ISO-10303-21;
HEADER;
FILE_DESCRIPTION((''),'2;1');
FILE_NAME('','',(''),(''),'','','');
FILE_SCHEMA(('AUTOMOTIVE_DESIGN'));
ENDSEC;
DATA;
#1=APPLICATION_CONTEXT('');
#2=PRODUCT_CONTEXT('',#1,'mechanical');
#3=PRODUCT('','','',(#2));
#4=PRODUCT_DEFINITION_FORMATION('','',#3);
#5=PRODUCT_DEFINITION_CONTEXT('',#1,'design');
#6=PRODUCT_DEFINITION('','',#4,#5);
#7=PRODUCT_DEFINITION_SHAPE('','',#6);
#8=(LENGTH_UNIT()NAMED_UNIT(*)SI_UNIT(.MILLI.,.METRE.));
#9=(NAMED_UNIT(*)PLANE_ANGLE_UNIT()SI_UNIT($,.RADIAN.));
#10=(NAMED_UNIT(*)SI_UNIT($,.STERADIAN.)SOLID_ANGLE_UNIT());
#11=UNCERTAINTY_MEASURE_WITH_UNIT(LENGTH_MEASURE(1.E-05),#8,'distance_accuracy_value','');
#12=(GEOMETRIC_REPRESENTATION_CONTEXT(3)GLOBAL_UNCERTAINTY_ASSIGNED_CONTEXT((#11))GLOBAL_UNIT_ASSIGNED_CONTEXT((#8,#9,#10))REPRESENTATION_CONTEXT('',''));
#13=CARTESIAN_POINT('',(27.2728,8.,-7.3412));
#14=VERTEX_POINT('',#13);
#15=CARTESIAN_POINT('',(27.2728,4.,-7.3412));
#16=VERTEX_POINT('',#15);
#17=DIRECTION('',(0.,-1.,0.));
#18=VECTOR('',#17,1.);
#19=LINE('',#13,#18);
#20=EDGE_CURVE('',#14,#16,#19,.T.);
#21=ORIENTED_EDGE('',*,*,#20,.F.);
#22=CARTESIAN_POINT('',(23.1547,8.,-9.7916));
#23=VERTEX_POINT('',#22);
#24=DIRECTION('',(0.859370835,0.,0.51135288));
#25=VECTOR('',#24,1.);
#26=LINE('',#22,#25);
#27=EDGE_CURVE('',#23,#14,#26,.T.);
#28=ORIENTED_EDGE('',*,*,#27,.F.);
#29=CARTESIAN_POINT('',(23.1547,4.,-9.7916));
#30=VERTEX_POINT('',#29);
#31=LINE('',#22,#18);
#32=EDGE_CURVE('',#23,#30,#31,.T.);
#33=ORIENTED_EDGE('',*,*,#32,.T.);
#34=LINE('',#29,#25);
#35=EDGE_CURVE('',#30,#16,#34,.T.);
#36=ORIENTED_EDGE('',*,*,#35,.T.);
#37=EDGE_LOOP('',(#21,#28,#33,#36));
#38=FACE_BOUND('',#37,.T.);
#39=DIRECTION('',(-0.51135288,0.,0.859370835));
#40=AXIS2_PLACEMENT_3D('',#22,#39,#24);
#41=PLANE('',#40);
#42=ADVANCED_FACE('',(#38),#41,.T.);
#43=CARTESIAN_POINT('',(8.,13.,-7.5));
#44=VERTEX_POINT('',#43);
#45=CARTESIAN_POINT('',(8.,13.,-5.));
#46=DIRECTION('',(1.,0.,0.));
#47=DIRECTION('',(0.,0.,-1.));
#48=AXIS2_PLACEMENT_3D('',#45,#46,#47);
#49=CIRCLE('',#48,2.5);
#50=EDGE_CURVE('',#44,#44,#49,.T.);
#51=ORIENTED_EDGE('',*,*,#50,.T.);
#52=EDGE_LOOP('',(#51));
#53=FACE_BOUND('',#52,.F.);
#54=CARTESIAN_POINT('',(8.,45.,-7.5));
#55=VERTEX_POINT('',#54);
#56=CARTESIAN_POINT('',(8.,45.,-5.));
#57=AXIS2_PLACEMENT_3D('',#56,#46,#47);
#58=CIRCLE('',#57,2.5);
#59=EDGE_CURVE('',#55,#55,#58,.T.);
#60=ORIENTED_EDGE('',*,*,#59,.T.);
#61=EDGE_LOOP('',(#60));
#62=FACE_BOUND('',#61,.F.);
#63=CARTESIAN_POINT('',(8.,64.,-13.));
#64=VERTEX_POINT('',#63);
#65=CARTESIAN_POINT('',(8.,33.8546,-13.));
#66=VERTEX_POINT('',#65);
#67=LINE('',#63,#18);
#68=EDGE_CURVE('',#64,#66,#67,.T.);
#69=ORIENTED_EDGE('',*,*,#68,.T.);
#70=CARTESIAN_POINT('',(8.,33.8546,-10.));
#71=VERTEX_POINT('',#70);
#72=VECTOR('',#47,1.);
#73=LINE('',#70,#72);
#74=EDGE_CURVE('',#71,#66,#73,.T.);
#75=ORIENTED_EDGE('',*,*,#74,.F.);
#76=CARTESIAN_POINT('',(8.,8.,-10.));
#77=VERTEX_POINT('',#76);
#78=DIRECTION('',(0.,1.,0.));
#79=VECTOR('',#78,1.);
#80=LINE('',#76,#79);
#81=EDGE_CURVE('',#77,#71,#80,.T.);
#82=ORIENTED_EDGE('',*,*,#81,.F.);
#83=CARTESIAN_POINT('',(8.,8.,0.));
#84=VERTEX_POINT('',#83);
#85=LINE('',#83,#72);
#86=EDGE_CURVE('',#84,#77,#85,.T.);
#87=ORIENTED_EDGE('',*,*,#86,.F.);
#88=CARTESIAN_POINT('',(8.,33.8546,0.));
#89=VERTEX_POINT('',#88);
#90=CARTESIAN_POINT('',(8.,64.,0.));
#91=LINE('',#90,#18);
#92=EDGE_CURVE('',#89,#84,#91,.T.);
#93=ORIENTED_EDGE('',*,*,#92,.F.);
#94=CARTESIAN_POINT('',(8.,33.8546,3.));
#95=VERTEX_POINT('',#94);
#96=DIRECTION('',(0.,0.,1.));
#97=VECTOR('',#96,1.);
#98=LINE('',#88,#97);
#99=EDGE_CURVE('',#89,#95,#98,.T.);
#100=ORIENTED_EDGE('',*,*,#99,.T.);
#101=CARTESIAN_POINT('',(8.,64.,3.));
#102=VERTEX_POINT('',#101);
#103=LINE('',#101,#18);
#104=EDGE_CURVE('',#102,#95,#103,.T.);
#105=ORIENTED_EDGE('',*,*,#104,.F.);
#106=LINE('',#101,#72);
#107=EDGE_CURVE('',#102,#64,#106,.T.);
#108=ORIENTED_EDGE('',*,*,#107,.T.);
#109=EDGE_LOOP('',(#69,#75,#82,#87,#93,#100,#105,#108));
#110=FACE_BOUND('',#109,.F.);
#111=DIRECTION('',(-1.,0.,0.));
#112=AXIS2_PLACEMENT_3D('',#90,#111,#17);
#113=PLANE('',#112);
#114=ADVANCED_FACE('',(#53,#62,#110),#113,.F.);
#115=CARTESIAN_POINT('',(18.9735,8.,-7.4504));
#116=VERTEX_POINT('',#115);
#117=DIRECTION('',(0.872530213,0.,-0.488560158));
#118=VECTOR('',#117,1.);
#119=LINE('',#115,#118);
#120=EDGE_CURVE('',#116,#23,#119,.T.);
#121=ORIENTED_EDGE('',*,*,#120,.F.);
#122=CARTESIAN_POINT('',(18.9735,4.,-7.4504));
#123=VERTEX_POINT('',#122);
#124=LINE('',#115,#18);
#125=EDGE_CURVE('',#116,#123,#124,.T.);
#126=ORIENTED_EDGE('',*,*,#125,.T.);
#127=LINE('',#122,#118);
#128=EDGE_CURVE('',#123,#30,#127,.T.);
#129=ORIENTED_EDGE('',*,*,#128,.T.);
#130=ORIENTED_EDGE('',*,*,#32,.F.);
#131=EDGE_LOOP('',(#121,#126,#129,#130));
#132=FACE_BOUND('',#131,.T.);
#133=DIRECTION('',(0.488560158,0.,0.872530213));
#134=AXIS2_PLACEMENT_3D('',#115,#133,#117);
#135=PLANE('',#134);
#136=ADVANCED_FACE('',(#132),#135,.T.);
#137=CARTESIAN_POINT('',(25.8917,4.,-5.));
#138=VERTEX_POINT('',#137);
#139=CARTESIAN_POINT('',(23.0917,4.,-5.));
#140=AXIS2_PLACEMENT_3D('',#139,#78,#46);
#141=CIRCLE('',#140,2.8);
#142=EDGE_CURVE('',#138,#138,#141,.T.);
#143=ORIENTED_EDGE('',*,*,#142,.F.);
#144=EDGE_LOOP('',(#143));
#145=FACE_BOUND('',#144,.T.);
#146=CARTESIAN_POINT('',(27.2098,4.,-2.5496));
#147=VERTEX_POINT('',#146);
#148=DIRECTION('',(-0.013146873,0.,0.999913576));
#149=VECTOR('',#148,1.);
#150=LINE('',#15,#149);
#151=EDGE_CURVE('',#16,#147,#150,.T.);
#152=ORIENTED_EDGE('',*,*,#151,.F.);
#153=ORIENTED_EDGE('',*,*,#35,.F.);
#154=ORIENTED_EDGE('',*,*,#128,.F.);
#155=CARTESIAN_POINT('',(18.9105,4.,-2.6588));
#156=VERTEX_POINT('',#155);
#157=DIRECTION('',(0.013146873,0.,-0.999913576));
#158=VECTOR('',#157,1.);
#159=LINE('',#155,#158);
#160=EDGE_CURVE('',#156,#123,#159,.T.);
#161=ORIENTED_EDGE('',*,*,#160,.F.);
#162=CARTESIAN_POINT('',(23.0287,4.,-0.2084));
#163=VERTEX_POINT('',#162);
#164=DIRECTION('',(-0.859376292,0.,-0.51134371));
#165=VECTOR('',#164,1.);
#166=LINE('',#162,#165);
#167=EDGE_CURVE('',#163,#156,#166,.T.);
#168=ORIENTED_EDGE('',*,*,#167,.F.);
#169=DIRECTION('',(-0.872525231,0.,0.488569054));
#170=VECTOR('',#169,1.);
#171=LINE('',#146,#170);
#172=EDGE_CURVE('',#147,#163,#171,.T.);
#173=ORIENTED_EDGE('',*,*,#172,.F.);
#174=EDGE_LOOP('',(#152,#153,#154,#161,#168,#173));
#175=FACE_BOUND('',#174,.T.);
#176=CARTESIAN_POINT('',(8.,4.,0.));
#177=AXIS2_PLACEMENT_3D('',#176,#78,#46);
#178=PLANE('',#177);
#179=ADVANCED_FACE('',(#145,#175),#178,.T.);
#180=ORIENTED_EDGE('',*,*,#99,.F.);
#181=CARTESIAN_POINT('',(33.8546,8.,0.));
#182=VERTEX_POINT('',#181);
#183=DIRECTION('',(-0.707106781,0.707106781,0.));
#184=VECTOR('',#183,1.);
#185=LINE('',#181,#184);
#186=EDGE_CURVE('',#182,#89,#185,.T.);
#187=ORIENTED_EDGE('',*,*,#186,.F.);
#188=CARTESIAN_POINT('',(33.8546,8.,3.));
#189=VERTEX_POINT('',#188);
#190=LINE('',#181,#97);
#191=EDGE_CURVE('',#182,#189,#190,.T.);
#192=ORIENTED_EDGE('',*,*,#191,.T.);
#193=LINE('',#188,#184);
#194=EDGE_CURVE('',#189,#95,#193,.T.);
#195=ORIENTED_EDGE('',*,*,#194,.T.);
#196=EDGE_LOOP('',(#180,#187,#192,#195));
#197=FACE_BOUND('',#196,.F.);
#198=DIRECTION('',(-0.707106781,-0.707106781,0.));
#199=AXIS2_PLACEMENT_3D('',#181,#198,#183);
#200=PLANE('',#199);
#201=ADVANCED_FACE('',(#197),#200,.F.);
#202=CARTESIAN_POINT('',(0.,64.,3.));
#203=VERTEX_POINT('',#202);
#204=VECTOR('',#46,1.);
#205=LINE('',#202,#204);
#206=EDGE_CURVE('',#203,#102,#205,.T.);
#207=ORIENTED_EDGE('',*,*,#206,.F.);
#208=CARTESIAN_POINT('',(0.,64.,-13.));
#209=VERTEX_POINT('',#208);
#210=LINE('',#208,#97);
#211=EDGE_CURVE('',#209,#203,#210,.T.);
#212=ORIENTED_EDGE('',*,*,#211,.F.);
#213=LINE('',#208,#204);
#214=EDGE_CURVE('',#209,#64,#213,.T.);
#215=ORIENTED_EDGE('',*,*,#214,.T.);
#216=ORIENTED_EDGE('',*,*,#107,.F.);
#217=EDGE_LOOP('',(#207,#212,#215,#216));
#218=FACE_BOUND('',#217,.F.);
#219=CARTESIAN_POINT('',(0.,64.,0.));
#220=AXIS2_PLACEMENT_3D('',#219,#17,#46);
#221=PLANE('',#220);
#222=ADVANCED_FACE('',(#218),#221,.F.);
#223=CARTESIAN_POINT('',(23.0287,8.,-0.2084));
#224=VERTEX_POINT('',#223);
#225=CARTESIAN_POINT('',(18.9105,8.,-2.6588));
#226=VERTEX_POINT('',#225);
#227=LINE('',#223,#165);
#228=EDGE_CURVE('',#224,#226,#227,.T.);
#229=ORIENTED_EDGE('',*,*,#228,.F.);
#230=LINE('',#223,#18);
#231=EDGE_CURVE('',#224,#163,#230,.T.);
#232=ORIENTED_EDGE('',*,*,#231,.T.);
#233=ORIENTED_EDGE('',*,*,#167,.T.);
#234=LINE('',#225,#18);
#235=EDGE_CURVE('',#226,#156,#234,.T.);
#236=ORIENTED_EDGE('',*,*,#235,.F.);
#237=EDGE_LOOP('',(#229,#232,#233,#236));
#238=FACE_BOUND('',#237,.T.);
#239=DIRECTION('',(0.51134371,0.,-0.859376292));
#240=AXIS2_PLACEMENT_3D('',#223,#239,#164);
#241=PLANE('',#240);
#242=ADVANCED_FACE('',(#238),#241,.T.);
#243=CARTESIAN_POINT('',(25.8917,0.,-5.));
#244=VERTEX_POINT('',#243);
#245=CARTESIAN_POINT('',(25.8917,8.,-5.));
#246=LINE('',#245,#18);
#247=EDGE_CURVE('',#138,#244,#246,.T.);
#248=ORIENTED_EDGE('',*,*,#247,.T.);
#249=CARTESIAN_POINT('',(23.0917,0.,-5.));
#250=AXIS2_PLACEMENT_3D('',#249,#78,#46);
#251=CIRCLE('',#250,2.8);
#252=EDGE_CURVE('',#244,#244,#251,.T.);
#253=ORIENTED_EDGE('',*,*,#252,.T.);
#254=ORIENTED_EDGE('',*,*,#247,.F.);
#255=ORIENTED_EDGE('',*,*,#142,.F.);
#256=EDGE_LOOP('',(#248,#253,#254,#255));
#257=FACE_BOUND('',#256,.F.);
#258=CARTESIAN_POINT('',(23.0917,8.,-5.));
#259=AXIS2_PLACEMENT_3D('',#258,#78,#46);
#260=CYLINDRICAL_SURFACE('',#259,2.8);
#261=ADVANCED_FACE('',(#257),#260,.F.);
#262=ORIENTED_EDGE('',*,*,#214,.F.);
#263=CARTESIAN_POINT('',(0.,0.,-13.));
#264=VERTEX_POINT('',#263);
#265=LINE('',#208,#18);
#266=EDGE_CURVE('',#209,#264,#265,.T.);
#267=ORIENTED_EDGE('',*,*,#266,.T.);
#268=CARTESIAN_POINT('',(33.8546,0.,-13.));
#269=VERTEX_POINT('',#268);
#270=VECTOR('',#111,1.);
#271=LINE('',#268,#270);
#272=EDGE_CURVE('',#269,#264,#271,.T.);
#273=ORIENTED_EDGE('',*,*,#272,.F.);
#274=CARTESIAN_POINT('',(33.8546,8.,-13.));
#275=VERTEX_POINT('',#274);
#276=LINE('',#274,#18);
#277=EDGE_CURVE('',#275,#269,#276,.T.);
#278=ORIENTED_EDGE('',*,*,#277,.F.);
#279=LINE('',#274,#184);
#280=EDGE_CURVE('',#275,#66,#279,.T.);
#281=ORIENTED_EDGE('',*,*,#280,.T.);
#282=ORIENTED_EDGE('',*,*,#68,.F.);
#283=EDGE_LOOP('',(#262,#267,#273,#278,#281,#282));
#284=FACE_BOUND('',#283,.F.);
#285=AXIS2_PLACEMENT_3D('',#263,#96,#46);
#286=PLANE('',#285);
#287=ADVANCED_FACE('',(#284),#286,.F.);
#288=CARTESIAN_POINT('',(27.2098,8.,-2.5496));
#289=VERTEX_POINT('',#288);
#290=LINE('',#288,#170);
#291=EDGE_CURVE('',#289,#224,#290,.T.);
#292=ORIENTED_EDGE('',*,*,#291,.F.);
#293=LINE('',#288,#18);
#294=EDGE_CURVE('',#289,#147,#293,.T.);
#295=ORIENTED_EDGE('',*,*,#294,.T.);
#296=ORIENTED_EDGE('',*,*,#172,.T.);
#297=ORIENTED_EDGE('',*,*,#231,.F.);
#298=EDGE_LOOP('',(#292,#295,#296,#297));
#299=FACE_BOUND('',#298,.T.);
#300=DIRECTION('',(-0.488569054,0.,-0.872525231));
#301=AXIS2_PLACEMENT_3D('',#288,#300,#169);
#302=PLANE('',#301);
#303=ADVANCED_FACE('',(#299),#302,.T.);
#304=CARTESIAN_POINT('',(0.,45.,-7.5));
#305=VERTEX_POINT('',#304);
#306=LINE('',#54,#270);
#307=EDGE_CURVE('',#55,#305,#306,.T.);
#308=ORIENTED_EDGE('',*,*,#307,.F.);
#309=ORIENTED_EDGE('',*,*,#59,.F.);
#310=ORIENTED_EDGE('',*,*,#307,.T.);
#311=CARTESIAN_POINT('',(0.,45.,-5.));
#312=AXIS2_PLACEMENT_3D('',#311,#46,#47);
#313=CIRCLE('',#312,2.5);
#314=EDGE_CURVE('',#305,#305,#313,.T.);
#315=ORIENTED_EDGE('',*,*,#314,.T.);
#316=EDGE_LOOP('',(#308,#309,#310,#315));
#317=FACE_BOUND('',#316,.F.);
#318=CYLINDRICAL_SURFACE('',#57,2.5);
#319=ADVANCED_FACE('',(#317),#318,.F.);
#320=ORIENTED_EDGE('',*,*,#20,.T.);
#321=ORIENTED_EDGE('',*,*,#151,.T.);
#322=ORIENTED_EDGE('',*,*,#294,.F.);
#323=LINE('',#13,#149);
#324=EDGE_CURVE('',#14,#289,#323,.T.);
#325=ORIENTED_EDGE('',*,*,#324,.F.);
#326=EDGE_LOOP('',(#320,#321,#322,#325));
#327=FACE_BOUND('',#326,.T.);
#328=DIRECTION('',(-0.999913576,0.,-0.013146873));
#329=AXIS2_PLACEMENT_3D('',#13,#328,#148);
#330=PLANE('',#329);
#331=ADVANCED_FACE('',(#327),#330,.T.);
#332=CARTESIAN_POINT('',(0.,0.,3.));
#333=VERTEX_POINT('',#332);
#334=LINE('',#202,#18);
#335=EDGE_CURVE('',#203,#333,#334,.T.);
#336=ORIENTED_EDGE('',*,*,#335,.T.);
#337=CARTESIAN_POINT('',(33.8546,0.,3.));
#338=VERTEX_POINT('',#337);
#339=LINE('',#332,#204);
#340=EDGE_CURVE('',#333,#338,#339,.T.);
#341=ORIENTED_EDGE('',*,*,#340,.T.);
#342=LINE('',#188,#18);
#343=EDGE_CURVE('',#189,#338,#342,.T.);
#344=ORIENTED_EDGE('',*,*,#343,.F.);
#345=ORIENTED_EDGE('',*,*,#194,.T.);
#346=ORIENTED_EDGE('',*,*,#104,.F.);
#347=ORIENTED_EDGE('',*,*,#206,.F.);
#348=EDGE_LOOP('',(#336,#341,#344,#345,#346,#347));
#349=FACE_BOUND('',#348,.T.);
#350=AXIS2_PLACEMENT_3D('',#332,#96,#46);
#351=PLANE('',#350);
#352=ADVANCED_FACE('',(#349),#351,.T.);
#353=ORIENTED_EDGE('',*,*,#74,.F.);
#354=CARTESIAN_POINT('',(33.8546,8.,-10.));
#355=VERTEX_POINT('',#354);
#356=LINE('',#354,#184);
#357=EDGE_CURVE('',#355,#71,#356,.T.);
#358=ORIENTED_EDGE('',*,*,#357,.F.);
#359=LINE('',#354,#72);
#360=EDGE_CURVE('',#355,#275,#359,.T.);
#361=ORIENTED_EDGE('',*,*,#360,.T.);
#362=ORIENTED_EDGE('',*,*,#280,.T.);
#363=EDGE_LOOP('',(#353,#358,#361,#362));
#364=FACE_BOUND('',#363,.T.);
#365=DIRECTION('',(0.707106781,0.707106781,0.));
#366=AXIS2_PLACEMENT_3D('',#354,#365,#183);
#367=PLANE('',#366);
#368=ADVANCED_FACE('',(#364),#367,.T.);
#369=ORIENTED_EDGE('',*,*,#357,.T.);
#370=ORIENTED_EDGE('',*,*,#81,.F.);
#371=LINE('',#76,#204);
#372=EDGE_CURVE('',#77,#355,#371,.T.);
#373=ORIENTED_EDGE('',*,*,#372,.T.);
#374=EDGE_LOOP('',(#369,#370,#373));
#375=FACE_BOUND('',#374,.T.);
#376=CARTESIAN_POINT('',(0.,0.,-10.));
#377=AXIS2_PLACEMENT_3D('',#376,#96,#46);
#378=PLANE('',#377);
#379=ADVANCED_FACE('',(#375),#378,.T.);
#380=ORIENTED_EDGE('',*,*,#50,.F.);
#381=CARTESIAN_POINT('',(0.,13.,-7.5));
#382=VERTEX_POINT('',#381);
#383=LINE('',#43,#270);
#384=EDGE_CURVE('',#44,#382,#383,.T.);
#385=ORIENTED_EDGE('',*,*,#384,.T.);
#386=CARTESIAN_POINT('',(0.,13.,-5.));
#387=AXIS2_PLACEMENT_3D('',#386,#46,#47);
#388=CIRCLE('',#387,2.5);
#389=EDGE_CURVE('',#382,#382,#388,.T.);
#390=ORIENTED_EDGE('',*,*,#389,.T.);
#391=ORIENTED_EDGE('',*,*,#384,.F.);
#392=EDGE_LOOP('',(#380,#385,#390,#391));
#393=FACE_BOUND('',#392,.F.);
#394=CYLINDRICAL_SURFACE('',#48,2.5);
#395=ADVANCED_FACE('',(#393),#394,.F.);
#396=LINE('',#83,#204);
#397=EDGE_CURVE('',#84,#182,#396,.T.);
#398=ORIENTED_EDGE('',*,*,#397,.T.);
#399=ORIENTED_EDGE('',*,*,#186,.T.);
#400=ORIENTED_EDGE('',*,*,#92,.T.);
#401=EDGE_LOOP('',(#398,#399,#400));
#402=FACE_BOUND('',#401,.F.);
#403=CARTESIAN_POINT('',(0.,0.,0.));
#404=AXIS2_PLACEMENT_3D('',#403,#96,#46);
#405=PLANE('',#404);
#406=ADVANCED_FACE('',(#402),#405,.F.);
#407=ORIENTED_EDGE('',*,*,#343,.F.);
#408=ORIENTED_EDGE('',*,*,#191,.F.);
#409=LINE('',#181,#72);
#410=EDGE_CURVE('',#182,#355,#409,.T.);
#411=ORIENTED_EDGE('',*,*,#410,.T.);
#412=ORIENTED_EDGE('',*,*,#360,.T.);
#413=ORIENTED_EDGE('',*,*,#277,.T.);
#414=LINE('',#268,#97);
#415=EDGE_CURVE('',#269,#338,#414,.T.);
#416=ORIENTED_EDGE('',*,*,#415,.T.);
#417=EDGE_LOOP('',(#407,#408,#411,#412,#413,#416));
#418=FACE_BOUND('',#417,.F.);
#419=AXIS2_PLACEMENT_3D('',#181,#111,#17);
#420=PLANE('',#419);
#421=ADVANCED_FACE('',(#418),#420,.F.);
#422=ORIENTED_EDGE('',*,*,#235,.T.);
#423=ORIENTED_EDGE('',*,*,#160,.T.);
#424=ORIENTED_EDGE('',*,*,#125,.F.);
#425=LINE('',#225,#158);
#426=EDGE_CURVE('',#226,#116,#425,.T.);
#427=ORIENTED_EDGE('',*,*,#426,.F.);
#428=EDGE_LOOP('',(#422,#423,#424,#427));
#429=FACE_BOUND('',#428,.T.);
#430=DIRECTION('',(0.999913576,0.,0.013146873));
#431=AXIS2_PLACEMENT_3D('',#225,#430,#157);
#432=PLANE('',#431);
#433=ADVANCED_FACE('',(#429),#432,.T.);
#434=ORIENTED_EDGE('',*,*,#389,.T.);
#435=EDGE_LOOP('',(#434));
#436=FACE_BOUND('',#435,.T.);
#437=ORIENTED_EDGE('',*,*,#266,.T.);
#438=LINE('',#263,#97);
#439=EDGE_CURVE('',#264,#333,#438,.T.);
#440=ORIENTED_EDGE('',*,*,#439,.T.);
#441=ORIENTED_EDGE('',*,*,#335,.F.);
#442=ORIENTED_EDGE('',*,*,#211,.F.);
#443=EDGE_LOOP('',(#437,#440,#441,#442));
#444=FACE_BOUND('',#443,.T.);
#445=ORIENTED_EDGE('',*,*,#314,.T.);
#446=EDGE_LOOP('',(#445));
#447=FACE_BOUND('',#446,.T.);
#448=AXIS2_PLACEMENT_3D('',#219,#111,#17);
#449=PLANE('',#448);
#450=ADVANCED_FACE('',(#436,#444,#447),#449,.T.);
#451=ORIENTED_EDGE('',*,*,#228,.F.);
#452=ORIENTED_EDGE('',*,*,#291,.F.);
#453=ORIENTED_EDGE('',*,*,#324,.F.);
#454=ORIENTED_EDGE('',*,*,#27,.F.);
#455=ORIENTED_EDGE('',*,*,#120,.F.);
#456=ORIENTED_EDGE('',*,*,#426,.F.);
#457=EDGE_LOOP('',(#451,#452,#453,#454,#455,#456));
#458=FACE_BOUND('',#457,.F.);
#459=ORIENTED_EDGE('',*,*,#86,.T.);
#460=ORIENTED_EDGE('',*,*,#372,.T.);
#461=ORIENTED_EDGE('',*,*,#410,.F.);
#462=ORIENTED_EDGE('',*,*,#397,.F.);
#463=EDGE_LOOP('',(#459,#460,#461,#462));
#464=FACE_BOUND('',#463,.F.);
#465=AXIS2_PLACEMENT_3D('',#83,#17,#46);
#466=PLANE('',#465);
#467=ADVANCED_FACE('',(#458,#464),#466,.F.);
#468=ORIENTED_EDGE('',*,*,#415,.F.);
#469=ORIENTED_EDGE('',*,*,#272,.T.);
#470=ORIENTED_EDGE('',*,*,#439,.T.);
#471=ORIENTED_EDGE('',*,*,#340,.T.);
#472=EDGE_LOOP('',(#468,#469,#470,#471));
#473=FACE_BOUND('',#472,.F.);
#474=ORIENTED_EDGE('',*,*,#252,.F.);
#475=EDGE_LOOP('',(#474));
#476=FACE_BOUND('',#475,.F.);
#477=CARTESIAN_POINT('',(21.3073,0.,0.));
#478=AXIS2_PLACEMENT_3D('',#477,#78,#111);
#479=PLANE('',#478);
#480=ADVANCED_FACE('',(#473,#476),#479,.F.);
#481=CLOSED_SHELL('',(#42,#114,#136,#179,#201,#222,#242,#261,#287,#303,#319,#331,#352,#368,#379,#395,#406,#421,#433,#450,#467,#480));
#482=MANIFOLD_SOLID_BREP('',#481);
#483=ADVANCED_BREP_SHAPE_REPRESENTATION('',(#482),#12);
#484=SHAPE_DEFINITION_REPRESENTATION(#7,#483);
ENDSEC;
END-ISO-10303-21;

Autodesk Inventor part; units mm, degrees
ref_plane "YZ Plane" through (0, 0, 0) normal (1, 0, 0) x (0, 1, 0)
ref_plane "XZ Plane" through (0, 0, 0) normal (0, 1, 0) x (-1, 0, 0)
ref_plane "XY Plane" through (0, 0, 0) normal (0, 0, 1) x (1, 0, 0)
sketch "Sketch1" plane through (0, 0, 0) normal (0, 0, 1) x (1, 0, 0)
  line L0 (0, 64) -> (0, 0)
  line L1 (24.8907, 0) -> (21.3073, 0)
  line L2 (0, 64) -> (8, 64)
  line L3 (33.8546, 8) -> (33.8546, 0)
  line L4 (33.8546, 0) -> (0, 0)
  line L5 (0, 0) -> (0, 64)
  line L6 (8, 64) -> (8, 8)
  line L7 (8, 8) -> (33.8546, 8)
  line L8 (33.8546, 8) -> (8, 33.8546)
  line L9 (33.8546, 8) -> (70.4186, 8) construction
  point P0 (0, 0)
  dimension "d0" = 8
  dimension "d1" = 8
  dimension "d2" = 135
  dimension "d9" = 64
extrude "Extrusion1" add sketch "Sketch1" along normal blind 3
extrude "Extrusion2" add sketch "Sketch1" against normal blind 10 contours L2 L6 L7 L3 L4 L1 L0
extrude "Extrusion3" add sketch "Sketch1" against normal blind 3 from surface at -10
sketch "Sketch2" plane through (8, 33.8546, 3) normal (1, 0, 0) x (0, 0, -1)
  circle A0 centre (8, 11.1454) radius 2.5
  circle A1 centre (8, -20.8546) radius 2.5
  line L0 (16, 30.1454) -> (0, 30.1454) projected
  line L1 (8, 30.1454) -> (8, -25.8546) construction
  line L2 (3, -25.8546) -> (13, -25.8546) construction
  point P0 (3, -33.8546)
  dimension "d20" = 32
  dimension "d21" = 19
extrude "Extrusion4" cut sketch "Sketch2" against normal through all
sketch "Sketch3" plane through (8, 8, 0) normal (0, 1, 0) x (1, 0, 0)
  circle A0 centre (15.0917, 5) radius 2.8
  line L0 (0, 0) -> (0, 10) projected
  line L1 (0, 7.5) -> (0, 2.5) construction
  line L2 (0, 5) -> (22.225, 5) construction
  line L3 (0, 5) -> (22.225, 5) construction
  line L4 (10.9735, 7.4504) -> (15.1547, 9.7916)
  line L5 (15.1547, 9.7916) -> (19.2728, 7.3412)
  line L6 (19.2728, 7.3412) -> (19.2098, 2.5496)
  line L7 (19.2098, 2.5496) -> (15.0287, 0.2084)
  line L8 (15.0287, 0.2084) -> (10.9105, 2.6588)
  line L9 (10.9105, 2.6588) -> (10.9735, 7.4504)
  point P0 (-8, 0)
  dimension "d13" = 5.6
  dimension "d14" = 0
  dimension "d22" = 8.3
extrude "Extrusion5" cut sketch "Sketch3" against normal through all contours A0
extrude "Extrusion7" cut sketch "Sketch3" against normal blind 4 contours A0 | L4 L5 L6 L7 L8 L9
equation "\"d1\" = d0"
properties part number "Lower Limit Switch"
